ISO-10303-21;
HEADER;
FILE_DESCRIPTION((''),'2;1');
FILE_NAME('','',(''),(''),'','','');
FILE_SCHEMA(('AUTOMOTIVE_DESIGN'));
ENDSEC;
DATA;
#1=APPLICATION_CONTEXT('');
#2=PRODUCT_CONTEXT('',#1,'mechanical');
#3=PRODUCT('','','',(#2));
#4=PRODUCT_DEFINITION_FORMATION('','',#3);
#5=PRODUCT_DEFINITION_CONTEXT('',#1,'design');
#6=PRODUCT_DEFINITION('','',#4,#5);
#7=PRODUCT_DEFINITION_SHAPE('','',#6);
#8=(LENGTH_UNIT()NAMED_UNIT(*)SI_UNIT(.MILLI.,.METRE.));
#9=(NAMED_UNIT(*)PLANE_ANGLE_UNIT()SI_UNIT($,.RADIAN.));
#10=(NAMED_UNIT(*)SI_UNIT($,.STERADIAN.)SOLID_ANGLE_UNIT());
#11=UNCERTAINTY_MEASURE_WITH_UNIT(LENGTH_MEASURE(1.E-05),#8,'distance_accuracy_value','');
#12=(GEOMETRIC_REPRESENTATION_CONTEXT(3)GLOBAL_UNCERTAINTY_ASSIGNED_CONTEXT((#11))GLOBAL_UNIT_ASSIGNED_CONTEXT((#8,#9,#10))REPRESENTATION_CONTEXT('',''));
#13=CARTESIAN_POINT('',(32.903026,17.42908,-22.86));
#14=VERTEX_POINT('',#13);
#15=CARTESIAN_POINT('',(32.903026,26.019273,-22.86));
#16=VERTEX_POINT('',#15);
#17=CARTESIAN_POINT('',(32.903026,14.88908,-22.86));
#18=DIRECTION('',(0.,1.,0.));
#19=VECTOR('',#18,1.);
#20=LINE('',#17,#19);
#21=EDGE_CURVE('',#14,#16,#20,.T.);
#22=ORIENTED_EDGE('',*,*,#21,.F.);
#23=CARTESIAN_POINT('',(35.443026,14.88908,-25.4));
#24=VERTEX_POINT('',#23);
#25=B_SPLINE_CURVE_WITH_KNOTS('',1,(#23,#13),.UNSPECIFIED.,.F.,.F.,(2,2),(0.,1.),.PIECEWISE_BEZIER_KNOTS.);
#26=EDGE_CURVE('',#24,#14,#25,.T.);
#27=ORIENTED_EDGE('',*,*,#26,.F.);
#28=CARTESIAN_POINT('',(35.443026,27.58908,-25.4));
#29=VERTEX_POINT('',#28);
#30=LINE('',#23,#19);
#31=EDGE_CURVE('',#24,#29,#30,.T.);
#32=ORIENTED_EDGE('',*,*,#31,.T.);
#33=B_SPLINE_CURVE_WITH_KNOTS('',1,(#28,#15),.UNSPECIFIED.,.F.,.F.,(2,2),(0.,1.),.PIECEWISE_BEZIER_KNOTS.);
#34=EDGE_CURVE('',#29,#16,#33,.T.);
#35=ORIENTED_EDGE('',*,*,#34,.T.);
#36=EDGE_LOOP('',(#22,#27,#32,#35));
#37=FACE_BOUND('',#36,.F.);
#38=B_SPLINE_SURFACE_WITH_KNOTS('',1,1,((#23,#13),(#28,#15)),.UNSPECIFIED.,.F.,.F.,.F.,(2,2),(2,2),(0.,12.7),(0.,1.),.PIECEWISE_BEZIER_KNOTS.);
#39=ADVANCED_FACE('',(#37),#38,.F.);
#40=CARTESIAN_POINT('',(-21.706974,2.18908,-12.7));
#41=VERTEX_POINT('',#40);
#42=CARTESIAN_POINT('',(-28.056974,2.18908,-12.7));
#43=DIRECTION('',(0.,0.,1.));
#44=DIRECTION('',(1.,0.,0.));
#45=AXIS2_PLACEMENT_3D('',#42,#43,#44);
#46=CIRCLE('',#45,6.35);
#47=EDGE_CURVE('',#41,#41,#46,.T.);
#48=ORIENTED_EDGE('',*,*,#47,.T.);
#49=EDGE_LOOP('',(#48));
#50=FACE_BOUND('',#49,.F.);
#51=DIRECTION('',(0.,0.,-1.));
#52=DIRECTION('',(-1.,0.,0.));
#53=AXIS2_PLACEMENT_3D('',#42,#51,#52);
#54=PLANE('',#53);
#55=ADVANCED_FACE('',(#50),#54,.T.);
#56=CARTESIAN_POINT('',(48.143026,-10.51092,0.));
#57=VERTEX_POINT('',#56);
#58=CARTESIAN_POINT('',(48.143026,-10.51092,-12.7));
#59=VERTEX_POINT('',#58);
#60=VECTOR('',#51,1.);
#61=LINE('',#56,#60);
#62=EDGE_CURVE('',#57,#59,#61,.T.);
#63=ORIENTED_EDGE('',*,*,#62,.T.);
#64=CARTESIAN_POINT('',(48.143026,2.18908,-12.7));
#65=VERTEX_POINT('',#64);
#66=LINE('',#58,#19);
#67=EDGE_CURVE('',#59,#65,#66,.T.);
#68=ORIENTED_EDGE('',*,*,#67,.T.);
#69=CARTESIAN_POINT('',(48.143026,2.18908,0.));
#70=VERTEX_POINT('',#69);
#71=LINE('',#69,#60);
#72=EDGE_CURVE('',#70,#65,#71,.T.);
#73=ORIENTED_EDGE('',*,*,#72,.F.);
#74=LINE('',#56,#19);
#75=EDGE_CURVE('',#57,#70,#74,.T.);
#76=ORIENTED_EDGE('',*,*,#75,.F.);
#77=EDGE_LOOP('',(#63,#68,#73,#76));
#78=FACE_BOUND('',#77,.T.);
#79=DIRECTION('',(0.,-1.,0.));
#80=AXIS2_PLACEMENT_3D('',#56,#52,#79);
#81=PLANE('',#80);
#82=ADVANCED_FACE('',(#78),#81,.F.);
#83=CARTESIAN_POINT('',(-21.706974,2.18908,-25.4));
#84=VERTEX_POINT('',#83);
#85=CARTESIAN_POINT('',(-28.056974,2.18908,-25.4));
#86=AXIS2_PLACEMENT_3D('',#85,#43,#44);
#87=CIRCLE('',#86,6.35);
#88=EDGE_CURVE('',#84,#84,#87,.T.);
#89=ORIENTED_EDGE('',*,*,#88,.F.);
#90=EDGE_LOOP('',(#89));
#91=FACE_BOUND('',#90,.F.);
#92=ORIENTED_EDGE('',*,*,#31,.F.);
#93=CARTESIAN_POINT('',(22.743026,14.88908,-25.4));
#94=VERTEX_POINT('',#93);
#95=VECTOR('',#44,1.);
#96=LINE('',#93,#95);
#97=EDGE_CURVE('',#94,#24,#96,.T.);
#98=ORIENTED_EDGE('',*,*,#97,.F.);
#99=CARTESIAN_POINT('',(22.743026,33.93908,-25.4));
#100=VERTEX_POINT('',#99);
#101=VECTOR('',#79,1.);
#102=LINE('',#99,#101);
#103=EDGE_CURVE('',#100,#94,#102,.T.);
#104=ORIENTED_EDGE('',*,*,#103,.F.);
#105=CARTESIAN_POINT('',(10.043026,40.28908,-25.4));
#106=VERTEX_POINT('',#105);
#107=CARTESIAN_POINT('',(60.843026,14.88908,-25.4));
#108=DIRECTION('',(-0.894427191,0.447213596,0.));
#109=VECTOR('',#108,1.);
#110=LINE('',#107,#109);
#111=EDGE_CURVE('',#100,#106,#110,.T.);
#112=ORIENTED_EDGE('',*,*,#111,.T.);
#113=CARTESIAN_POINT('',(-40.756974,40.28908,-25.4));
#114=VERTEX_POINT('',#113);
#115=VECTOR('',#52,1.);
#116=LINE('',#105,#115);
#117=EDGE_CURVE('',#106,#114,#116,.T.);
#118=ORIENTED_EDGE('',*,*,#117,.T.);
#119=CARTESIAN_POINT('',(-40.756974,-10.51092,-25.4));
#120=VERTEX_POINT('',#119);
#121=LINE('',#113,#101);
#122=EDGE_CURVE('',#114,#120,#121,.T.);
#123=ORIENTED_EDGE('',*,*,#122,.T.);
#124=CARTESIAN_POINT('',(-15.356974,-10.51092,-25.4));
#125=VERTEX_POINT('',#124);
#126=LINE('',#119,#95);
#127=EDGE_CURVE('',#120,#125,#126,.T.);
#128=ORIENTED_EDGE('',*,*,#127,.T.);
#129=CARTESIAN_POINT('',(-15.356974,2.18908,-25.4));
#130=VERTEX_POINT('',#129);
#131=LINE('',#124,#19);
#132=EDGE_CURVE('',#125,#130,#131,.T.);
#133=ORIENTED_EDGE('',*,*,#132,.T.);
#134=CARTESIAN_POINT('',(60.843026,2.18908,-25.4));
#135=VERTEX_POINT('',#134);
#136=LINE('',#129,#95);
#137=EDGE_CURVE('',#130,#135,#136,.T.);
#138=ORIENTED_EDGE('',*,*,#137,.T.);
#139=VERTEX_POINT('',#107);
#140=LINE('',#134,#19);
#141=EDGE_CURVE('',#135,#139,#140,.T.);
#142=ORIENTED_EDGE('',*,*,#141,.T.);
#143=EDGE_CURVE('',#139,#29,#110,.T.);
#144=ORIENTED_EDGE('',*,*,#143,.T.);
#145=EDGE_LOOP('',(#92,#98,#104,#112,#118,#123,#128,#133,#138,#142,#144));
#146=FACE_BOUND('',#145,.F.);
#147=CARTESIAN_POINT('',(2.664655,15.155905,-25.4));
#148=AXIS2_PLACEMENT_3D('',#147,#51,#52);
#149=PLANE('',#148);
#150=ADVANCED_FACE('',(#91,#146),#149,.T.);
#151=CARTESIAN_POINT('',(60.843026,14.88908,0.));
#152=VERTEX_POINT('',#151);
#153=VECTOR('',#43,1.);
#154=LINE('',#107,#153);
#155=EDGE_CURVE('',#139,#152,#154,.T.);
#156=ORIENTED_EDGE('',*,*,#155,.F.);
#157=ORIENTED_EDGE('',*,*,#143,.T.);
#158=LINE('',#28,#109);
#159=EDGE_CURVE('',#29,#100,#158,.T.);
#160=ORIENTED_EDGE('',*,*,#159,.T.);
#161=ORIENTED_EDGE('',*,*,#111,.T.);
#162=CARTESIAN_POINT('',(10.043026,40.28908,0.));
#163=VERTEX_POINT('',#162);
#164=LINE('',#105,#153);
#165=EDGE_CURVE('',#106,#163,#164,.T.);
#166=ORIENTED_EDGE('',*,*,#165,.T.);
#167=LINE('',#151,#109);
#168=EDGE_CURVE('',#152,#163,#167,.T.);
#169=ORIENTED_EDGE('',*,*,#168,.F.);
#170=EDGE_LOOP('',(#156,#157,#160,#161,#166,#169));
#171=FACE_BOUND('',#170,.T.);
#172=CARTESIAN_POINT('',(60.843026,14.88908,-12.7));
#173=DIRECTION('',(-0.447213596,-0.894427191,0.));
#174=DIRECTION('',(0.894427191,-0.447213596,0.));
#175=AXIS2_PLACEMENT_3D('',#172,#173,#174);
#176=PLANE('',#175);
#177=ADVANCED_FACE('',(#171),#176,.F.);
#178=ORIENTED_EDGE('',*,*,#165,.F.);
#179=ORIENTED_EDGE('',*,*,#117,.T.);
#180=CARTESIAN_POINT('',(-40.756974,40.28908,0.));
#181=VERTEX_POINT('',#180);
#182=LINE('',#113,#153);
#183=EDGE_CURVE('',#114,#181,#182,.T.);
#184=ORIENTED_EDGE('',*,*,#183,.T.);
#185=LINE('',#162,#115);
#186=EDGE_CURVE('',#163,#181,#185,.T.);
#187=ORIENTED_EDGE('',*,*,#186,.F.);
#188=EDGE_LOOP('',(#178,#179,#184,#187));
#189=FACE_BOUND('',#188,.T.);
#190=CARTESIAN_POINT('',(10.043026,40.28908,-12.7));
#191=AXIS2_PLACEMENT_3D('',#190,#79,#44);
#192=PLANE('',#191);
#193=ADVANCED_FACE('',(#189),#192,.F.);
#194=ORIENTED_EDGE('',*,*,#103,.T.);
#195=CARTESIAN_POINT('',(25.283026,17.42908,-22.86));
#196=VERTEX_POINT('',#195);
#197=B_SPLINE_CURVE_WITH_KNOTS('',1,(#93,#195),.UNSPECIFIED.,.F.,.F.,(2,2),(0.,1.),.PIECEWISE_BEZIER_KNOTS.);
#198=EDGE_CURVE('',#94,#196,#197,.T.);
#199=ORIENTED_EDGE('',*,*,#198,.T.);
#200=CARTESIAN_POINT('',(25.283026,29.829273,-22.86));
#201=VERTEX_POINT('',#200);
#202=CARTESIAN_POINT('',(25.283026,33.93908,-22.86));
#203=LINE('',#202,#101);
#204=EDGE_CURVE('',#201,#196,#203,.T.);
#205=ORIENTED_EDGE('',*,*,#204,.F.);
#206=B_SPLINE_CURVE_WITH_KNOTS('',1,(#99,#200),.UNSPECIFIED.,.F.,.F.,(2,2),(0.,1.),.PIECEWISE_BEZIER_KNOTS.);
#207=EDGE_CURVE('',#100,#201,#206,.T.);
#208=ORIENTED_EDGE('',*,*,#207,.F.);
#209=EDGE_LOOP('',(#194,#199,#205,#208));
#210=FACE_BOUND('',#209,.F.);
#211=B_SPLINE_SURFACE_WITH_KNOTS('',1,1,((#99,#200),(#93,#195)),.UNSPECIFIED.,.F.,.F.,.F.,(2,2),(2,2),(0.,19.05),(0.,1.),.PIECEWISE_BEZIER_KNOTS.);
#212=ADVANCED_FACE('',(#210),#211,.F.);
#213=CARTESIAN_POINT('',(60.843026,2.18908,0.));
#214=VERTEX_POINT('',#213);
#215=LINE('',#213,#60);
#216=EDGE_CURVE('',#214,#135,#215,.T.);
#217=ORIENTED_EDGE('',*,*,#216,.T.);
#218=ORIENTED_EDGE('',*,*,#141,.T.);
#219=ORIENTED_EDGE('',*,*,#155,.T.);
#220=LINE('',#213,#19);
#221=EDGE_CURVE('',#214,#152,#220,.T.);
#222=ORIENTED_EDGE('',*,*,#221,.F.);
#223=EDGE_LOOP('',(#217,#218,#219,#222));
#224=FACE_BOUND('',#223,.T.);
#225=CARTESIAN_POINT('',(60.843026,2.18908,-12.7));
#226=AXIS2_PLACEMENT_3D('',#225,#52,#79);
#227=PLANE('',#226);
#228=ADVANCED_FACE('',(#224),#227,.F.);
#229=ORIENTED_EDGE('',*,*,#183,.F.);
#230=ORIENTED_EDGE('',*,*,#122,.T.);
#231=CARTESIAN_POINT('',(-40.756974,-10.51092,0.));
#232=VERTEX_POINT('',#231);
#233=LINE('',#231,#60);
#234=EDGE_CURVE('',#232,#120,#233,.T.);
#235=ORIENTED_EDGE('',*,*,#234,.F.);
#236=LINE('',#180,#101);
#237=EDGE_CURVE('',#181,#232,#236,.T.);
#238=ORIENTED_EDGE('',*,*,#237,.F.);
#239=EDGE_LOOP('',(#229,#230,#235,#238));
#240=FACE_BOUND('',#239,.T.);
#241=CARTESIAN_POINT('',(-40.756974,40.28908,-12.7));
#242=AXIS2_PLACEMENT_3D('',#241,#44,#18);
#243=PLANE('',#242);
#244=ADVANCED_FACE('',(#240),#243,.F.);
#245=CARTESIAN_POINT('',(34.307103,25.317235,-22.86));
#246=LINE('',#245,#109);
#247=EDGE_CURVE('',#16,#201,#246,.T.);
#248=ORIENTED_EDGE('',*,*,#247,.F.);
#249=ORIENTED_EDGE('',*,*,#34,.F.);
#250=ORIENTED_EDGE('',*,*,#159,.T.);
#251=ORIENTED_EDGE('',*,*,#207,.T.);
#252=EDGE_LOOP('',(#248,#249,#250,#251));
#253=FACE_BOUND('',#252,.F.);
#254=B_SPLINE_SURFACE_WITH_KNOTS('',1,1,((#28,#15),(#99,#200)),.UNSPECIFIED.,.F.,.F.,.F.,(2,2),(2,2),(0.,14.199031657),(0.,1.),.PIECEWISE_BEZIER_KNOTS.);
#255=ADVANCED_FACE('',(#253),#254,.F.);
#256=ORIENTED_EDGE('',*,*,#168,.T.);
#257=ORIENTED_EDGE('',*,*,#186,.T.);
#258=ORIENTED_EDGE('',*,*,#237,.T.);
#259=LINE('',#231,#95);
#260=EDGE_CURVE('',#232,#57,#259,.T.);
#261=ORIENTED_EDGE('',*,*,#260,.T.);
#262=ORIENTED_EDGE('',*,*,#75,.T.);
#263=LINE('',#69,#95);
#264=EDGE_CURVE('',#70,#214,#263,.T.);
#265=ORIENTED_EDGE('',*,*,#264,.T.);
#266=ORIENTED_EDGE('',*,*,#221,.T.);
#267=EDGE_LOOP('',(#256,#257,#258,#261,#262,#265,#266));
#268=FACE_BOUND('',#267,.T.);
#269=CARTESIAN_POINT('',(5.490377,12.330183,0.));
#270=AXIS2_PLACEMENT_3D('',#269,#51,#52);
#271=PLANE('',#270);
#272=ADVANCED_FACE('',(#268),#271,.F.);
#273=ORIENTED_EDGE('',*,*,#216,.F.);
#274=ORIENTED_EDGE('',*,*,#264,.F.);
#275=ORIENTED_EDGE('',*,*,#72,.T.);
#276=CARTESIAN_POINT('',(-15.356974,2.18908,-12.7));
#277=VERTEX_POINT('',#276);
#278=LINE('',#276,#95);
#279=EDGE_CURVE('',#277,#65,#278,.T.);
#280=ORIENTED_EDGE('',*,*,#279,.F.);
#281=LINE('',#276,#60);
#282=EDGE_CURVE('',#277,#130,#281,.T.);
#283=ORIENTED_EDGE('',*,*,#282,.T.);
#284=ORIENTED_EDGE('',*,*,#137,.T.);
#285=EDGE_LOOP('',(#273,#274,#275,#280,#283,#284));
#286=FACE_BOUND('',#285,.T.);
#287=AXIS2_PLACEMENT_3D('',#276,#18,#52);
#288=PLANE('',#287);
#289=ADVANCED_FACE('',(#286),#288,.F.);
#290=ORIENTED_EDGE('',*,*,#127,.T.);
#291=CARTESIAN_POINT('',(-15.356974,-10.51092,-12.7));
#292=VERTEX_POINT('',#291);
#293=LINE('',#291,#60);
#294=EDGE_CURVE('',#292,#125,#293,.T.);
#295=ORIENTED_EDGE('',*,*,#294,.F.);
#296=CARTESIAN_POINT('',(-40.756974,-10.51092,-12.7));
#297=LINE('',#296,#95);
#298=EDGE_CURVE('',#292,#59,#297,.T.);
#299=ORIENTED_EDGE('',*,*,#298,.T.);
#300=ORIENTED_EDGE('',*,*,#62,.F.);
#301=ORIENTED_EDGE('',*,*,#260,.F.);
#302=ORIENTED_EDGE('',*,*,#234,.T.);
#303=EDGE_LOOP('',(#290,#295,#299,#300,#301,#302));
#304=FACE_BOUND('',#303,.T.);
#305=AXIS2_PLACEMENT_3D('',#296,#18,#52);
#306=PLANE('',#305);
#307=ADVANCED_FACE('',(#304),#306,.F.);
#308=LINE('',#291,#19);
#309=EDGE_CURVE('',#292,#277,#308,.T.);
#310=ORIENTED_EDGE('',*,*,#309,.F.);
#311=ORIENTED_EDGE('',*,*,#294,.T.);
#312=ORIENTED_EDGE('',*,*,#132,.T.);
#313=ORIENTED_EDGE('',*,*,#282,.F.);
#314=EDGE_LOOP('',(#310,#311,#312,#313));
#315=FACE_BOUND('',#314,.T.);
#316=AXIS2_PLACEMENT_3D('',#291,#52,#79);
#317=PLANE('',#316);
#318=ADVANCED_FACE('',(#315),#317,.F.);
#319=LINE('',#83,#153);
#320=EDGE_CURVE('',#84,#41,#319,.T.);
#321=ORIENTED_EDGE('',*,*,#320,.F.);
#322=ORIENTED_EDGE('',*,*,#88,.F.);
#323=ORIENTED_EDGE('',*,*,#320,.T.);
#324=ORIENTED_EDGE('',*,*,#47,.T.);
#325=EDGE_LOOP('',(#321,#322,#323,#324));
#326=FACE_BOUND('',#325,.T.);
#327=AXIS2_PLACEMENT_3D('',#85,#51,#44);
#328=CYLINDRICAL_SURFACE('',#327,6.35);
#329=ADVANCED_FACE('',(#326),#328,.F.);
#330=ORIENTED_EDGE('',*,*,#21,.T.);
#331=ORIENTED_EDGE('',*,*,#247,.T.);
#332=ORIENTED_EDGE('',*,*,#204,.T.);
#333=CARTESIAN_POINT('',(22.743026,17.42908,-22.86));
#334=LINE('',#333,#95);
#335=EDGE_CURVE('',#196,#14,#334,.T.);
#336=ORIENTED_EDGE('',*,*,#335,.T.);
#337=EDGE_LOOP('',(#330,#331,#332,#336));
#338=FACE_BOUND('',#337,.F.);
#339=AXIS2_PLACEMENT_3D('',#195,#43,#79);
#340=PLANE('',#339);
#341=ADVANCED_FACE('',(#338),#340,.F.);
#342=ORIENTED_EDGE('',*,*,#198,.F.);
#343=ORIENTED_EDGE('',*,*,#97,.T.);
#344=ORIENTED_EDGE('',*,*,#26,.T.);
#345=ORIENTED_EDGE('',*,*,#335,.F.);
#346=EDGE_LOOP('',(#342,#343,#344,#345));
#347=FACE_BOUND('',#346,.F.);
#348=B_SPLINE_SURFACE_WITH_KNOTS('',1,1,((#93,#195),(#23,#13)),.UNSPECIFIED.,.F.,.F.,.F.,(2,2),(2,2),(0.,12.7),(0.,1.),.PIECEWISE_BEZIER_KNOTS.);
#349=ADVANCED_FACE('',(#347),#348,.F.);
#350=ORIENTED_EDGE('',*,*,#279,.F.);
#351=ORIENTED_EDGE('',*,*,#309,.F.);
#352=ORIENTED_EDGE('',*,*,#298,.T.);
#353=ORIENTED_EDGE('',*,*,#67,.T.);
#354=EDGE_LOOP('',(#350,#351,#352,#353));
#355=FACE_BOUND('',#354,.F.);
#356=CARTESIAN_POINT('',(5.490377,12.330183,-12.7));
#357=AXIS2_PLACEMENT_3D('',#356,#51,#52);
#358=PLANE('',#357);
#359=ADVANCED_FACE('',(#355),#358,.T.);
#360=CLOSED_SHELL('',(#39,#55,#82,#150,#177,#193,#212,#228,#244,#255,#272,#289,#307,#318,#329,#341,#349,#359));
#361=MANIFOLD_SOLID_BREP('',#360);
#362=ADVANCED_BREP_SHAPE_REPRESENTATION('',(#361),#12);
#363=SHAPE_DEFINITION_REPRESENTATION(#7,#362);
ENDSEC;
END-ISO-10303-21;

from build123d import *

# Parameters (mm, degrees)
F1_DEPTH = 12.7
F3_DEPTH = 12.7
F4_R     = 6.35
F5_DEPTH = 12.7
F7_DEPTH = 2.54
F7_TAPER = 45


with BuildPart() as f1:
    # F0 (on Top) → F1 (new body)
    with BuildSketch(Plane.XY):
        Polygon((-40.7569743693, 40.2890797282), (-40.7569743693, -10.5109202718), (48.1430256307, -10.5109202718), (48.1430256307, 2.1890797282), (60.8430256307, 2.1890797282), (60.8430256307, 14.8890797282), (10.0430256307, 40.2890797282), align=None)
    extrude(amount=F1_DEPTH)

    # F2 (on face) → F3 (join)
    with BuildSketch(Plane.XY.offset(12.7)):
        Polygon((-40.7569743693, 40.2890797282), (-40.7569743693, -10.5109202718), (-15.3569743693, -10.5109202718), (-15.3569743693, 2.1890797282), (48.1430256307, 2.1890797282), (60.8430256307, 2.1890797282), (60.8430256307, 14.8890797282), (10.0430256307, 40.2890797282), align=None)
    extrude(amount=F3_DEPTH)

    # F4 (on face) → F5 (cut)
    with BuildSketch(Plane.XY.offset(25.4)):
        with Locations((-28.0569743693, 2.1890797282)):
            Circle(F4_R)
    extrude(amount=-F5_DEPTH, mode=Mode.SUBTRACT)

    # F6 (on face) → F7 (cut)
    with BuildSketch(Plane.XY.offset(25.4)):
        Polygon((22.7430256307, 14.8890797282), (35.4430256307, 14.8890797282), (35.4430256307, 27.5890797282), (22.7430256307, 33.9390797282), align=None)
    extrude(amount=-F7_DEPTH, taper=F7_TAPER, mode=Mode.SUBTRACT)


with BuildPart() as f8_1:
    # F8: instance of F1
    add(f1.part.mirror(Plane(origin=(3.3794453838, 13.0859933084, 0), x_dir=(1, 0, 0), z_dir=(0, 0, -1))))


solid = f8_1.part
